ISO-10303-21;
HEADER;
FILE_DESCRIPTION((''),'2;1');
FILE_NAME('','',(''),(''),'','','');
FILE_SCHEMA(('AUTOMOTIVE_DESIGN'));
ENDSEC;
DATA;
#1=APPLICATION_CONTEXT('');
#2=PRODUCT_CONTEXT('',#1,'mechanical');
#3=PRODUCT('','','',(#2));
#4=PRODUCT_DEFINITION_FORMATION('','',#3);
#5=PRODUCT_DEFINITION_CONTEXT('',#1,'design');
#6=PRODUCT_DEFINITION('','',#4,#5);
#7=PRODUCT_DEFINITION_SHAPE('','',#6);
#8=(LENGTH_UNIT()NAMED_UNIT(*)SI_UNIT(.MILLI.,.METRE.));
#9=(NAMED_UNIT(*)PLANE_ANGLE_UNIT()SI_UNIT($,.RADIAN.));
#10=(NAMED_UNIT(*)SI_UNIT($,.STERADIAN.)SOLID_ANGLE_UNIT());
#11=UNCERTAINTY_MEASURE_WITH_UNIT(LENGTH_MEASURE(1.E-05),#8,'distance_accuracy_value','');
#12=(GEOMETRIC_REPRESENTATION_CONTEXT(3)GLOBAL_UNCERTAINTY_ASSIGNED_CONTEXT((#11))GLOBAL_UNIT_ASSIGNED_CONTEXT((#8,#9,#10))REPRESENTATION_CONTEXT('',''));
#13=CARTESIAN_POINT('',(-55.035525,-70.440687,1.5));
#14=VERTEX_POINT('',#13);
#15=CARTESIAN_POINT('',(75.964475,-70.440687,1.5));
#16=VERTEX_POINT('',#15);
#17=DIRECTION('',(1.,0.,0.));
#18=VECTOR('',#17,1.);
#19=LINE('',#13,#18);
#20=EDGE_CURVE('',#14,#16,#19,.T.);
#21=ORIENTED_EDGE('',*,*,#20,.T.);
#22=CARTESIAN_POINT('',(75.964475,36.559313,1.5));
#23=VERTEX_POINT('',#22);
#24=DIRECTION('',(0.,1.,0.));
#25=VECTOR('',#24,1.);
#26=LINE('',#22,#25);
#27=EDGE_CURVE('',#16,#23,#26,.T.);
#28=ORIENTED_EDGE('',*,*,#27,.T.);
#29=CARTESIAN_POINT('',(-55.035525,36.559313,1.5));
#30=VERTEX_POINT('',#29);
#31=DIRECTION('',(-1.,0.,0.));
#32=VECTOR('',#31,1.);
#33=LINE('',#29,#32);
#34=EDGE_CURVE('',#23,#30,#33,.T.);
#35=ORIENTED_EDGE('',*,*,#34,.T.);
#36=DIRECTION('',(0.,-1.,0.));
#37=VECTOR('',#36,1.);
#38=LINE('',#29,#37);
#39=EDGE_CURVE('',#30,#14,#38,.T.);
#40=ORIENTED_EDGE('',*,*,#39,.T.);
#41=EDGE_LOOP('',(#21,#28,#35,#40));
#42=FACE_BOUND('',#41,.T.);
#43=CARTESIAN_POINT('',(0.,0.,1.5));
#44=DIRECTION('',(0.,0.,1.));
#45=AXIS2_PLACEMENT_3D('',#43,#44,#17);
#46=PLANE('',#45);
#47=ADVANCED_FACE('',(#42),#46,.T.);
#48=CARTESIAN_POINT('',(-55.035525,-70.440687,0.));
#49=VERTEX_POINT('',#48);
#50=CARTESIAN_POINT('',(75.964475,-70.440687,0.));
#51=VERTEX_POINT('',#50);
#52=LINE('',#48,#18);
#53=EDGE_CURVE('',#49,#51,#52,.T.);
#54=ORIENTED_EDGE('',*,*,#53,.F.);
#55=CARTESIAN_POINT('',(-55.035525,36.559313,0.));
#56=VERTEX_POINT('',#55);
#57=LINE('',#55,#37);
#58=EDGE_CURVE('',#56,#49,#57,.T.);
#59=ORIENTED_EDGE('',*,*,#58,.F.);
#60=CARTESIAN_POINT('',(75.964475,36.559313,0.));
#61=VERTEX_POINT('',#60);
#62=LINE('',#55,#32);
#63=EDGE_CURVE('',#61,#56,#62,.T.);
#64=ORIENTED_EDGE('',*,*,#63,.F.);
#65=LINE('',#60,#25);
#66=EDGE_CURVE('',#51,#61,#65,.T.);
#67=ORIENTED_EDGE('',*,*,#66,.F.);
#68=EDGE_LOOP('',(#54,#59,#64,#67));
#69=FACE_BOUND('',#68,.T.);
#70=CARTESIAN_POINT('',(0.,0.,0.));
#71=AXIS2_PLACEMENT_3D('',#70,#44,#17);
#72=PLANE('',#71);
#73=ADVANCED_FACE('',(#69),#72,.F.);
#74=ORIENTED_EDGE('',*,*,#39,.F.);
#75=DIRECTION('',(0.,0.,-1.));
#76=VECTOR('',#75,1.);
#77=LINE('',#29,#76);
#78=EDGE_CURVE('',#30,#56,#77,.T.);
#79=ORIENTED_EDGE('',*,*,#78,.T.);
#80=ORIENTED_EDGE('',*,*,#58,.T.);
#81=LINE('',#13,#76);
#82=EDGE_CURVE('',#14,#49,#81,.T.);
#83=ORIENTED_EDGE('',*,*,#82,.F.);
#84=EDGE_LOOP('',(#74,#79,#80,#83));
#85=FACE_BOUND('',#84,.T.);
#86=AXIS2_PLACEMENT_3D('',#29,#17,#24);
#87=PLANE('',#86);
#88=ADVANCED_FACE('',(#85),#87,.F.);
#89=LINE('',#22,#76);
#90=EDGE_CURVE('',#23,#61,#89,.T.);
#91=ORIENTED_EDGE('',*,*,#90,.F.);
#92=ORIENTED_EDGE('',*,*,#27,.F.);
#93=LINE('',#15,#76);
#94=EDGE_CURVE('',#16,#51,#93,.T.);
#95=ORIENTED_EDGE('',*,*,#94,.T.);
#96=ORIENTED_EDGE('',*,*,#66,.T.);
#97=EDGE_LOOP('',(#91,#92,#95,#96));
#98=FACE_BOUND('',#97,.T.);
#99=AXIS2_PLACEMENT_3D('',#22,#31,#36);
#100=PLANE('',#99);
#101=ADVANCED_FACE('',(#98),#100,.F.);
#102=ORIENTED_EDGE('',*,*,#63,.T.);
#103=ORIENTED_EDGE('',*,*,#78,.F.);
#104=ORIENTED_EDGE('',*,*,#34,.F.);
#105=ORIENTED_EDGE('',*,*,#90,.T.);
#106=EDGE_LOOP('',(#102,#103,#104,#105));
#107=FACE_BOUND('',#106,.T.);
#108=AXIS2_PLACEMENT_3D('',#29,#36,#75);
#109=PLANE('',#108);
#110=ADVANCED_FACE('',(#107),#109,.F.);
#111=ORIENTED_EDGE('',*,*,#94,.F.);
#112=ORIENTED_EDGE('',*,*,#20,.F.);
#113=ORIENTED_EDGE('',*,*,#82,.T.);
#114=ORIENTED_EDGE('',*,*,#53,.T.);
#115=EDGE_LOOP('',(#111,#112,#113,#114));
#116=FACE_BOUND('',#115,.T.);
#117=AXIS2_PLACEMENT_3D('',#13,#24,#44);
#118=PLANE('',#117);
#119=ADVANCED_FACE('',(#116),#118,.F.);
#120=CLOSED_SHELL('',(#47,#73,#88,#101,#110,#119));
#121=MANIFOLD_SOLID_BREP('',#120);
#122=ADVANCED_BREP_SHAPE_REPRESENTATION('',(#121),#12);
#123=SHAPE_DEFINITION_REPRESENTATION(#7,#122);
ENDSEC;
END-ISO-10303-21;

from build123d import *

# Parameters (mm, degrees)
CROQUIS1_W              = 131
CROQUIS1_H              = 107
SALIENTE_EXTRUIR1_DEPTH = 1.5


with BuildPart() as part:
    # Croquis1 → Saliente-Extruir1 (new body)
    with BuildSketch(Plane.XY):
        with Locations((10.464475059, -16.940687004)):
            Rectangle(CROQUIS1_W, CROQUIS1_H)
    extrude(amount=SALIENTE_EXTRUIR1_DEPTH)


solid = part.part
